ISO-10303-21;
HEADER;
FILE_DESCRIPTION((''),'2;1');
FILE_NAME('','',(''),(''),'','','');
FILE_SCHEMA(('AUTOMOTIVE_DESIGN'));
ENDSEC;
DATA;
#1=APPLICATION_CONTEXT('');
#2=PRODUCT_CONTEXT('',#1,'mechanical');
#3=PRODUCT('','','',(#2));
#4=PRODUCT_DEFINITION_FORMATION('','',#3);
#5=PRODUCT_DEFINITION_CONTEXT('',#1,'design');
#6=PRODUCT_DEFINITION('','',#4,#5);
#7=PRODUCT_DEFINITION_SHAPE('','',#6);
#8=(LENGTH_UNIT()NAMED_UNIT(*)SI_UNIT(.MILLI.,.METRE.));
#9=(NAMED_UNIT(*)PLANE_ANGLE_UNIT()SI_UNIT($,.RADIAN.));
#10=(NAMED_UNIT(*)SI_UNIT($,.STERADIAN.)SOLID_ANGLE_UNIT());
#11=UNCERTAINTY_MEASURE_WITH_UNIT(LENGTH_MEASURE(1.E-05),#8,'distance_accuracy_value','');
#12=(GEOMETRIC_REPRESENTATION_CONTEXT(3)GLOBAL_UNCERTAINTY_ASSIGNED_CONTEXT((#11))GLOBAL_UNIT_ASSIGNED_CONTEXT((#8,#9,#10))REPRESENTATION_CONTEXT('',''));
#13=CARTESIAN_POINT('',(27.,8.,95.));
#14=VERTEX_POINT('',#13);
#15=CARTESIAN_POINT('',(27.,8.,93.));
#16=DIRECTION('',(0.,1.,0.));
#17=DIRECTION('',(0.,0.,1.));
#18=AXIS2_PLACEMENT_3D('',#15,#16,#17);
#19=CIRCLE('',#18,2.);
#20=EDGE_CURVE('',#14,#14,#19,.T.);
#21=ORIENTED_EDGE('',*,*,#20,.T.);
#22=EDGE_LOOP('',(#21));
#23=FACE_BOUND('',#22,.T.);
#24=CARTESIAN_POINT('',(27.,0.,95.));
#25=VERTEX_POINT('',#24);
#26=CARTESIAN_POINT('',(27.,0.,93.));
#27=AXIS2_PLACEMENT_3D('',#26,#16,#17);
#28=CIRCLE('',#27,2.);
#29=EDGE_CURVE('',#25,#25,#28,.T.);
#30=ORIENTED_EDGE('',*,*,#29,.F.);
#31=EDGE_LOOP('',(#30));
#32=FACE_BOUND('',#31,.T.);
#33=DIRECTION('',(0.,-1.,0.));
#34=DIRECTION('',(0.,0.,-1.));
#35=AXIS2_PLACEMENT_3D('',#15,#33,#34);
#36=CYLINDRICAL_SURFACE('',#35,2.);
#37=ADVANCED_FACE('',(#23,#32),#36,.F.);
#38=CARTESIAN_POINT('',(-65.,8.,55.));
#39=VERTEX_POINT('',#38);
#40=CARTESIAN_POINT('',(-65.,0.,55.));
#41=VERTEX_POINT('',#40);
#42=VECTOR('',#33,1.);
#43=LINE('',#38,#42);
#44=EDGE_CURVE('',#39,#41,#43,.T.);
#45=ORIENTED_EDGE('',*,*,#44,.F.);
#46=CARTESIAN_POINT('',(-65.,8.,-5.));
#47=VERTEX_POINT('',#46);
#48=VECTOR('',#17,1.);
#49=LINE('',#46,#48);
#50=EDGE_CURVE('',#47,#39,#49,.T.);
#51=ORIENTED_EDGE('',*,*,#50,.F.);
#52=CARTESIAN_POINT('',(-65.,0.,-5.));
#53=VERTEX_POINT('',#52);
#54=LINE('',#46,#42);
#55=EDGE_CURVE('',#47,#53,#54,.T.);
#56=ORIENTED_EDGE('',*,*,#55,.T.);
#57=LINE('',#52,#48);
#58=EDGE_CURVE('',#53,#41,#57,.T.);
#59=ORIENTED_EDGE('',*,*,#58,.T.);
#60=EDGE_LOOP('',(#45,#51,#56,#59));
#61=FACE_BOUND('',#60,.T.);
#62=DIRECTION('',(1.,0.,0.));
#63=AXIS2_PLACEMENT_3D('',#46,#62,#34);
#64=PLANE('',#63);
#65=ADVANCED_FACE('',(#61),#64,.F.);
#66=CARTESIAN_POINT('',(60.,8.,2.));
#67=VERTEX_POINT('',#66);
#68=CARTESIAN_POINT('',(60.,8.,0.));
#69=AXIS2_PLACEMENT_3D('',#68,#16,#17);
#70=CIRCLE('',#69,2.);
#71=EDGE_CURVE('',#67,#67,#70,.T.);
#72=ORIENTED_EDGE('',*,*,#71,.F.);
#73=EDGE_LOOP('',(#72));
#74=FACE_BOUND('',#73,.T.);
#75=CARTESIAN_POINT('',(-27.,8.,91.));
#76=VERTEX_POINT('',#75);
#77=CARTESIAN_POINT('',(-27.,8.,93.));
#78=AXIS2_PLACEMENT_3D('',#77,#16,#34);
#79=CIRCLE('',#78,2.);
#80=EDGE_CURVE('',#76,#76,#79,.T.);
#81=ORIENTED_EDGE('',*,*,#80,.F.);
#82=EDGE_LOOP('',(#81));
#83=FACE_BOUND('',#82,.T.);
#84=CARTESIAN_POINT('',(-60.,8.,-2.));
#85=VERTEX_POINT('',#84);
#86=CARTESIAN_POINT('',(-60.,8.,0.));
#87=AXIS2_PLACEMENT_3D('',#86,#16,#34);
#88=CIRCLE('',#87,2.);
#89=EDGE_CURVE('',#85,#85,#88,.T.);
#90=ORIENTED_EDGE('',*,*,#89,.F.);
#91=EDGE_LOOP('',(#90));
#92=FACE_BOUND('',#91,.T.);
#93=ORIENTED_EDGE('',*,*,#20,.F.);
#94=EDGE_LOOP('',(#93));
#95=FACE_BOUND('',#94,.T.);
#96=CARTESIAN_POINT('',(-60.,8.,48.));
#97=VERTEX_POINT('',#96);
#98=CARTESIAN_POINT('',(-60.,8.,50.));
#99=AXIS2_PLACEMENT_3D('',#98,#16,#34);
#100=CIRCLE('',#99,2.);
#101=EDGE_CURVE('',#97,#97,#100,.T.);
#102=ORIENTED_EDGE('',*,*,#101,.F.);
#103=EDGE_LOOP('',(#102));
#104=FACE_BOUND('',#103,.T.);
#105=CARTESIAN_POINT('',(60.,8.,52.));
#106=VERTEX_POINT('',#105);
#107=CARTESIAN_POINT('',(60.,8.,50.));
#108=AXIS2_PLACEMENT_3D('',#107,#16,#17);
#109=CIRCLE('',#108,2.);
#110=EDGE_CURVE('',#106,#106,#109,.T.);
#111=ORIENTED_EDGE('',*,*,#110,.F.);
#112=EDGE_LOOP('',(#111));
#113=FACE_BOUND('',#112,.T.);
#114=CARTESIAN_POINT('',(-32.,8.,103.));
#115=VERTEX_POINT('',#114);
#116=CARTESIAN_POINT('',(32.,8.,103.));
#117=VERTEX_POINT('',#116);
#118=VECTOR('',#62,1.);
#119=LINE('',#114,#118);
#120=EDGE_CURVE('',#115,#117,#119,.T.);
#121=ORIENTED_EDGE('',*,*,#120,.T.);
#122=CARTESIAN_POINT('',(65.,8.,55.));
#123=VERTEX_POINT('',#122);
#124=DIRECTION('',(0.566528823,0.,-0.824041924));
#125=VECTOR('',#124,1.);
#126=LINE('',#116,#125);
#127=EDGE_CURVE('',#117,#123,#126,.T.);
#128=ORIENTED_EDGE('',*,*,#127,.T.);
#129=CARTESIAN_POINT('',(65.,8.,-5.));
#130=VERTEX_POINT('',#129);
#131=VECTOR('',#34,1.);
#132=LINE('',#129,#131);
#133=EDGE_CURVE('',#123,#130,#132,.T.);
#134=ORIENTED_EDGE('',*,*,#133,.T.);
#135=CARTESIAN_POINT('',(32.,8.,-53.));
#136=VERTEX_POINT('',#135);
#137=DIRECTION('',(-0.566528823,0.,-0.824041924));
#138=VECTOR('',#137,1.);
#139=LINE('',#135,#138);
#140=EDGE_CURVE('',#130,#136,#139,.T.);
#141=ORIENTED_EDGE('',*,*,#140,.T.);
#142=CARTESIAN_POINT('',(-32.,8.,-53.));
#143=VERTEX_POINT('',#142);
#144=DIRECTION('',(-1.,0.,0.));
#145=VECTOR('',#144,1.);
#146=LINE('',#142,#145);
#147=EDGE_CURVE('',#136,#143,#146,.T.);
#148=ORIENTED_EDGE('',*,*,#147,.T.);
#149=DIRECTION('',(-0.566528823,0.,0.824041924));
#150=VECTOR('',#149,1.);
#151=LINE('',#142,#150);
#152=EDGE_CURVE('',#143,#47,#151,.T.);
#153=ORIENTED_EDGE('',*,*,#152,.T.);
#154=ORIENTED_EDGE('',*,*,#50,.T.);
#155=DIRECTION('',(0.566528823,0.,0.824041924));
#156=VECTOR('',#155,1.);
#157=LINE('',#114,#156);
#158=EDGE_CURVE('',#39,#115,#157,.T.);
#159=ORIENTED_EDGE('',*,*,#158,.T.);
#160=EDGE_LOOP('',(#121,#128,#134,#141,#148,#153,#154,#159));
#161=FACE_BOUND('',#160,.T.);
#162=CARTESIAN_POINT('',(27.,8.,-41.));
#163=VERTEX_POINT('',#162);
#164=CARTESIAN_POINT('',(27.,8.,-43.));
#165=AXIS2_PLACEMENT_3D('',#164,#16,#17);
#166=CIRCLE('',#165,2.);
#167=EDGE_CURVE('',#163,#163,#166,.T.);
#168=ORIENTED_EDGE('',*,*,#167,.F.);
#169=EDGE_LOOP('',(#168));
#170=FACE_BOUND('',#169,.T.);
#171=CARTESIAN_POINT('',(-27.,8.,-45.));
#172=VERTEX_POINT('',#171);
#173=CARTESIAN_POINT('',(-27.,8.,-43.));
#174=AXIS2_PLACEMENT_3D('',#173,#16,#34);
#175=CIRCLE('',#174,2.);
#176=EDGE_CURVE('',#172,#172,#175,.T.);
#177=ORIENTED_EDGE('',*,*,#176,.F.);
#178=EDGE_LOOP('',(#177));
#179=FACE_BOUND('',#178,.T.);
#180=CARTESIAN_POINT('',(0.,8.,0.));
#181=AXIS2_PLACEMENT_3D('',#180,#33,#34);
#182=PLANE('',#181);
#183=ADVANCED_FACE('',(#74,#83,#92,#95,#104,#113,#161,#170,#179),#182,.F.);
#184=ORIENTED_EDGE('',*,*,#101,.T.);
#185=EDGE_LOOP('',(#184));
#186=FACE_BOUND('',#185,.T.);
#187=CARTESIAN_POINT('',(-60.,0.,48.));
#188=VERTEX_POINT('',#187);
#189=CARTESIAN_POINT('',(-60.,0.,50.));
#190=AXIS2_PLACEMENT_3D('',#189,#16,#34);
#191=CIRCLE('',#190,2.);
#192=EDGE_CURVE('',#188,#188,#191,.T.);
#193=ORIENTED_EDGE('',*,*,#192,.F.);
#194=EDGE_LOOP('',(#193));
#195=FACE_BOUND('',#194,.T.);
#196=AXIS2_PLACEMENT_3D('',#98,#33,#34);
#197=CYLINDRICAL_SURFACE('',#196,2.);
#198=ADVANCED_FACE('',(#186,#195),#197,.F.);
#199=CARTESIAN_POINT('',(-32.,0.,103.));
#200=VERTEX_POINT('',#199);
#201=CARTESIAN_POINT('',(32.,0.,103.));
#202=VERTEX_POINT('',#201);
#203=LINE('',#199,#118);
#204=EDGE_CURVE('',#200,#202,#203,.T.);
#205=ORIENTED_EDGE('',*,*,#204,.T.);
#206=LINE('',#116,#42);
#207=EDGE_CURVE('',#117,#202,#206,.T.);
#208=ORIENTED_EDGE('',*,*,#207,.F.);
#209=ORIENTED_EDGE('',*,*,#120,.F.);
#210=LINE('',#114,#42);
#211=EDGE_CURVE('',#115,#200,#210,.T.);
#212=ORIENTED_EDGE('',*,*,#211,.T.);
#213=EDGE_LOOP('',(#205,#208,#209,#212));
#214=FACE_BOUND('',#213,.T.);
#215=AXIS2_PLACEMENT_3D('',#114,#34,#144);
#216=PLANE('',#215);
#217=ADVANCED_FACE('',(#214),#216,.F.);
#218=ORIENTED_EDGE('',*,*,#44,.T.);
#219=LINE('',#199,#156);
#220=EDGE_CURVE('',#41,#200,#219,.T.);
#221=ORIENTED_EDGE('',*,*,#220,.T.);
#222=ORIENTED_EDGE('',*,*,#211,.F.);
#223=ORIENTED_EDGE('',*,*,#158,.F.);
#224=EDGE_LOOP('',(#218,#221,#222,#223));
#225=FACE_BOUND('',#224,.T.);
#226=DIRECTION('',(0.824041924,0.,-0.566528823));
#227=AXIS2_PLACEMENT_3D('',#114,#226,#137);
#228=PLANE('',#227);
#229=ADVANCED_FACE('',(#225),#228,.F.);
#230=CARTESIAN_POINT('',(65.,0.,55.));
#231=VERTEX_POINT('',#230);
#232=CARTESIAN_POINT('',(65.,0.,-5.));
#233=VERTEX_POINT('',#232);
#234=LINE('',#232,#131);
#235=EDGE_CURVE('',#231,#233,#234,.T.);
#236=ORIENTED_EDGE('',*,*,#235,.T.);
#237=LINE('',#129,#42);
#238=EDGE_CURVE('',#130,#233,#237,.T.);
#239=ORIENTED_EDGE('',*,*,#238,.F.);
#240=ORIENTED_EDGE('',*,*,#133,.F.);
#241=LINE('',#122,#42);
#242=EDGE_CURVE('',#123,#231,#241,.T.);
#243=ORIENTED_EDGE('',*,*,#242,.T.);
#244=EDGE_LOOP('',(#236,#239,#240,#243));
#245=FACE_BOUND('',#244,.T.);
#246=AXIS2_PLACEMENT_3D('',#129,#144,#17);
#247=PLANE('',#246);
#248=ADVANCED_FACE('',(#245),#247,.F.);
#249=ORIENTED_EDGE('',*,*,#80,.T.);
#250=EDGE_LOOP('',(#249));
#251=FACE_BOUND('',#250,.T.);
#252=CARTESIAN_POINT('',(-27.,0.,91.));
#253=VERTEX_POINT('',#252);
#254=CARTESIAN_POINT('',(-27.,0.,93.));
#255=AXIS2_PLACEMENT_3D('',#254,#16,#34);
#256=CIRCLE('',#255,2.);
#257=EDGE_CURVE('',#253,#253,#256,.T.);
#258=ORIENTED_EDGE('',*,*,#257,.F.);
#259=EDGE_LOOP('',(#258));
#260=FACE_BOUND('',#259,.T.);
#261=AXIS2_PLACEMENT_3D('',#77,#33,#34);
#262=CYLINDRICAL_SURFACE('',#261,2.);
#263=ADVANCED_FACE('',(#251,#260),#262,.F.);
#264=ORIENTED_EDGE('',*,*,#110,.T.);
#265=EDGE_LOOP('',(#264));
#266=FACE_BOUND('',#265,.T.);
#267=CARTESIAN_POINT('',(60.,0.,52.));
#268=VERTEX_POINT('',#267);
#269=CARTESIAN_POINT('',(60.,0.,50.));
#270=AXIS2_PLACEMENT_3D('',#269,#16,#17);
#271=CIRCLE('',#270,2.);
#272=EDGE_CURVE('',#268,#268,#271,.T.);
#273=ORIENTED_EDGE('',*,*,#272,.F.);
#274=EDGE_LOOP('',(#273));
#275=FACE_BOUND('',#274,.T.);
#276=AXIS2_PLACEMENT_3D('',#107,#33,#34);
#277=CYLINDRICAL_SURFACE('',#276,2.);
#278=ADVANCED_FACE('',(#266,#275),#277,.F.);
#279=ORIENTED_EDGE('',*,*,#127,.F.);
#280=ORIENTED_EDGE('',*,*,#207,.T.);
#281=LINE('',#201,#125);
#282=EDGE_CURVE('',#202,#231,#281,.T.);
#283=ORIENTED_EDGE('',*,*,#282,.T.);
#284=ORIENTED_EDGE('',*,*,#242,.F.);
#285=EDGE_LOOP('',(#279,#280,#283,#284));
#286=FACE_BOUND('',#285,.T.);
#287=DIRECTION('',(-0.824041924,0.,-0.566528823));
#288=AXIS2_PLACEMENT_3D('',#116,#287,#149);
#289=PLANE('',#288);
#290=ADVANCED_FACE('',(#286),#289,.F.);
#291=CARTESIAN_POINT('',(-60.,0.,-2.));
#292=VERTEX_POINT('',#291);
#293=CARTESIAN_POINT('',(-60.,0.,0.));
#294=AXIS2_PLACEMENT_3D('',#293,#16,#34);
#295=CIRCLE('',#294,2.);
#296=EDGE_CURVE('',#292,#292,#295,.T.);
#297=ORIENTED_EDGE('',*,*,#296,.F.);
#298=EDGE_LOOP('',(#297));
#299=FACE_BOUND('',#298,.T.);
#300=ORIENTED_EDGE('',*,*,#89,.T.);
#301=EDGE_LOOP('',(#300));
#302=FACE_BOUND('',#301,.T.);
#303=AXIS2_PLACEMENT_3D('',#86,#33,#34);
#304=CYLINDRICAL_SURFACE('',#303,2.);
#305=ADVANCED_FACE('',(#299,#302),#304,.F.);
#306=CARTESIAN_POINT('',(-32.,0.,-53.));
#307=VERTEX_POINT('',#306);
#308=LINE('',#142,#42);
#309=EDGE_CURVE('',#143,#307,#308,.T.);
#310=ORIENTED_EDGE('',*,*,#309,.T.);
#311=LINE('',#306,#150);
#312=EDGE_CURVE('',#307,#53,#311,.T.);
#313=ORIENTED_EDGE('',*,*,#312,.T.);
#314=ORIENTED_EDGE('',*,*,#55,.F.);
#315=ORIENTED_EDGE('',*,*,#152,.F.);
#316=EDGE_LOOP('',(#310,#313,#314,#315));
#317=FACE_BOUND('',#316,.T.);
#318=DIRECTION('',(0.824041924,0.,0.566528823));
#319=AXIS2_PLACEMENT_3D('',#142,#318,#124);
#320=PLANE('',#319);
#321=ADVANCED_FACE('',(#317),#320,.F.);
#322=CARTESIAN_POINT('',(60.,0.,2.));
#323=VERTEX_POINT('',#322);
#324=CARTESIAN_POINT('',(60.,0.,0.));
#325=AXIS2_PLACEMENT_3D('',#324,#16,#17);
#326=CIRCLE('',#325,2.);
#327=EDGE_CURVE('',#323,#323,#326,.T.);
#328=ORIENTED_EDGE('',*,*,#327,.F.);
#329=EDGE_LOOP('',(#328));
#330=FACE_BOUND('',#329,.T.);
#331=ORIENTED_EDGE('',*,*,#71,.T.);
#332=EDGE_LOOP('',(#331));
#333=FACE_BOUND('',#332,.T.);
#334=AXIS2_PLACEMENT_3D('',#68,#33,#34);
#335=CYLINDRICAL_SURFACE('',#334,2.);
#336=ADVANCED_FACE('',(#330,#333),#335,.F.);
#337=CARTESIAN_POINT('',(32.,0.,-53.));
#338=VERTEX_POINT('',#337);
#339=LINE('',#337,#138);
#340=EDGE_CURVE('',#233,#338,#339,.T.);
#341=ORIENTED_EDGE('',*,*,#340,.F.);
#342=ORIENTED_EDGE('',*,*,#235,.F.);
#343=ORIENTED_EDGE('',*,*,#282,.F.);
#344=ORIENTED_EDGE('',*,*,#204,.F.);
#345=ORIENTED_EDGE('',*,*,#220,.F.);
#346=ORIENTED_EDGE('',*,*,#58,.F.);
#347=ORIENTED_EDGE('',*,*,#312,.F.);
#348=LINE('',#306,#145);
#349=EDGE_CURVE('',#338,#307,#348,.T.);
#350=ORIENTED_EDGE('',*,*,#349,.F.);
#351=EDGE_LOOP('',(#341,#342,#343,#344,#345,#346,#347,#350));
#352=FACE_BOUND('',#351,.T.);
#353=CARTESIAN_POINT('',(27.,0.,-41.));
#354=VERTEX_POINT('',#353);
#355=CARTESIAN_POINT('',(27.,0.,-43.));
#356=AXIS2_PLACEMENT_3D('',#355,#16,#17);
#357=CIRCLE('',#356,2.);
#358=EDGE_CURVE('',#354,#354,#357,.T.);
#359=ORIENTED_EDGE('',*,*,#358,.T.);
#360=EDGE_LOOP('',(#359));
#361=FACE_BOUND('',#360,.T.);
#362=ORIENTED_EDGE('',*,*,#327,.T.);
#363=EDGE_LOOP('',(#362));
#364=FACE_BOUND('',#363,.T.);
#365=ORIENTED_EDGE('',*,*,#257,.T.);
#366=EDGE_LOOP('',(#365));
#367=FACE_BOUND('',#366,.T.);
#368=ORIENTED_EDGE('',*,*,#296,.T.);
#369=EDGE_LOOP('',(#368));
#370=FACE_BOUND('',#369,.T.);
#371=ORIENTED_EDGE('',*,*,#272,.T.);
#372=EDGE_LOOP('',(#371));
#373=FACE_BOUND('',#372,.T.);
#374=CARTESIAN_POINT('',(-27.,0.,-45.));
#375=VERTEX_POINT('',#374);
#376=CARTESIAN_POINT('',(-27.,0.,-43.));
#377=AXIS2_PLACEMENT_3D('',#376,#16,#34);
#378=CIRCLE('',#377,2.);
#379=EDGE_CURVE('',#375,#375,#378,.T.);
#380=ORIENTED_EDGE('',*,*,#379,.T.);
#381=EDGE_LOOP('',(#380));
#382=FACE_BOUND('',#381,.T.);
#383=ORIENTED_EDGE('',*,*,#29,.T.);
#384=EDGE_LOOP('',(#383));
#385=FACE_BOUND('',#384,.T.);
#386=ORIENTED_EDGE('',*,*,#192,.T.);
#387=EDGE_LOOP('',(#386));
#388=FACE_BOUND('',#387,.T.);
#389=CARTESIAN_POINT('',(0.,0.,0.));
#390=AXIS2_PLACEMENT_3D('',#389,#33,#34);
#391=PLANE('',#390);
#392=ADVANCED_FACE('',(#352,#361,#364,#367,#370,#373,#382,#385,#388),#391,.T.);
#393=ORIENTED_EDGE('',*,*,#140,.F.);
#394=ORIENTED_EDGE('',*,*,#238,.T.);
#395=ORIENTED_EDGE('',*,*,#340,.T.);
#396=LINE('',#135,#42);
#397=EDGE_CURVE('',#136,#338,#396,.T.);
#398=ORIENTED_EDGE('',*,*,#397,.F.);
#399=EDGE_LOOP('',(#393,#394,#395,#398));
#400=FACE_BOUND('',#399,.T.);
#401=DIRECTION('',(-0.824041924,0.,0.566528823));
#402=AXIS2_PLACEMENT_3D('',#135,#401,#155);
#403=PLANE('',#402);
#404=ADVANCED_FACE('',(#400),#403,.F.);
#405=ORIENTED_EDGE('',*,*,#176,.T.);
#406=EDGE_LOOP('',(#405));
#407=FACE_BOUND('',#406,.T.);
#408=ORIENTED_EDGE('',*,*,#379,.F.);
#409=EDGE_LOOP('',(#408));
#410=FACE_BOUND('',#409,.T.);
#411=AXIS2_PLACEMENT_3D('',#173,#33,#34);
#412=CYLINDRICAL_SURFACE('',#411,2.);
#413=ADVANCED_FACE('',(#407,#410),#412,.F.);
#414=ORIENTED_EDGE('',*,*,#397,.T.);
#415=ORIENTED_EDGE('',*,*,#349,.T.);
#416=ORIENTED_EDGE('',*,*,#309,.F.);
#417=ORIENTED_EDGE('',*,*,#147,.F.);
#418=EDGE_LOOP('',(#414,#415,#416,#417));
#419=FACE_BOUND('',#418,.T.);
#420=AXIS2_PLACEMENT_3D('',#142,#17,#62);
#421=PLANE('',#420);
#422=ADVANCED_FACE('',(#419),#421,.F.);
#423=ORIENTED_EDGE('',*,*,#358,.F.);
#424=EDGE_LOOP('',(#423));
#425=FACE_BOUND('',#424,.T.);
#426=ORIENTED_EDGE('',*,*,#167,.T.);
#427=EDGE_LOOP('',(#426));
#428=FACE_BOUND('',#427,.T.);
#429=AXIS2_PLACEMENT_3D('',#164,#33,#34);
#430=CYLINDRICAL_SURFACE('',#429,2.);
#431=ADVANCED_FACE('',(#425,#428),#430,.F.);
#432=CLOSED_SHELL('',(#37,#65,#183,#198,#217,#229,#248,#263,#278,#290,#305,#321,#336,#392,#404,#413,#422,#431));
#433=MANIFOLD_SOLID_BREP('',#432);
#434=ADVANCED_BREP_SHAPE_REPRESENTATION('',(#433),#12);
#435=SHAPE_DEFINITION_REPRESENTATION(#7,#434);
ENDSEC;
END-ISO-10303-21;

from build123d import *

# Parameters (mm, degrees)
SKETCH_1_R      = 2
EXTRUDE_1_DEPTH = 8


with BuildPart() as part:
    # 草图1 → 凸台-拉伸1 (new body)
    with BuildSketch(Plane(origin=(0, 0, 0), x_dir=(1, 0, 0), z_dir=(0, 1, 0))):
        Polygon((32, 53), (65, 5), (65, -55), (32, -103), (-32, -103), (-65, -55), (-65, 5), (-32, 53), align=None)
        with Locations((27, -93)):
            Circle(SKETCH_1_R, mode=Mode.SUBTRACT)
        with Locations((27, 43)):
            Circle(SKETCH_1_R, mode=Mode.SUBTRACT)
        with Locations((60, 0)):
            Circle(SKETCH_1_R, mode=Mode.SUBTRACT)
        with Locations((60, -50)):
            Circle(SKETCH_1_R, mode=Mode.SUBTRACT)
        with Locations((-27, -93)):
            Circle(SKETCH_1_R, mode=Mode.SUBTRACT)
        with Locations((-60, -50)):
            Circle(SKETCH_1_R, mode=Mode.SUBTRACT)
        with Locations((-60, 0)):
            Circle(SKETCH_1_R, mode=Mode.SUBTRACT)
        with Locations((-27, 43)):
            Circle(SKETCH_1_R, mode=Mode.SUBTRACT)
    extrude(amount=EXTRUDE_1_DEPTH)


solid = part.part
